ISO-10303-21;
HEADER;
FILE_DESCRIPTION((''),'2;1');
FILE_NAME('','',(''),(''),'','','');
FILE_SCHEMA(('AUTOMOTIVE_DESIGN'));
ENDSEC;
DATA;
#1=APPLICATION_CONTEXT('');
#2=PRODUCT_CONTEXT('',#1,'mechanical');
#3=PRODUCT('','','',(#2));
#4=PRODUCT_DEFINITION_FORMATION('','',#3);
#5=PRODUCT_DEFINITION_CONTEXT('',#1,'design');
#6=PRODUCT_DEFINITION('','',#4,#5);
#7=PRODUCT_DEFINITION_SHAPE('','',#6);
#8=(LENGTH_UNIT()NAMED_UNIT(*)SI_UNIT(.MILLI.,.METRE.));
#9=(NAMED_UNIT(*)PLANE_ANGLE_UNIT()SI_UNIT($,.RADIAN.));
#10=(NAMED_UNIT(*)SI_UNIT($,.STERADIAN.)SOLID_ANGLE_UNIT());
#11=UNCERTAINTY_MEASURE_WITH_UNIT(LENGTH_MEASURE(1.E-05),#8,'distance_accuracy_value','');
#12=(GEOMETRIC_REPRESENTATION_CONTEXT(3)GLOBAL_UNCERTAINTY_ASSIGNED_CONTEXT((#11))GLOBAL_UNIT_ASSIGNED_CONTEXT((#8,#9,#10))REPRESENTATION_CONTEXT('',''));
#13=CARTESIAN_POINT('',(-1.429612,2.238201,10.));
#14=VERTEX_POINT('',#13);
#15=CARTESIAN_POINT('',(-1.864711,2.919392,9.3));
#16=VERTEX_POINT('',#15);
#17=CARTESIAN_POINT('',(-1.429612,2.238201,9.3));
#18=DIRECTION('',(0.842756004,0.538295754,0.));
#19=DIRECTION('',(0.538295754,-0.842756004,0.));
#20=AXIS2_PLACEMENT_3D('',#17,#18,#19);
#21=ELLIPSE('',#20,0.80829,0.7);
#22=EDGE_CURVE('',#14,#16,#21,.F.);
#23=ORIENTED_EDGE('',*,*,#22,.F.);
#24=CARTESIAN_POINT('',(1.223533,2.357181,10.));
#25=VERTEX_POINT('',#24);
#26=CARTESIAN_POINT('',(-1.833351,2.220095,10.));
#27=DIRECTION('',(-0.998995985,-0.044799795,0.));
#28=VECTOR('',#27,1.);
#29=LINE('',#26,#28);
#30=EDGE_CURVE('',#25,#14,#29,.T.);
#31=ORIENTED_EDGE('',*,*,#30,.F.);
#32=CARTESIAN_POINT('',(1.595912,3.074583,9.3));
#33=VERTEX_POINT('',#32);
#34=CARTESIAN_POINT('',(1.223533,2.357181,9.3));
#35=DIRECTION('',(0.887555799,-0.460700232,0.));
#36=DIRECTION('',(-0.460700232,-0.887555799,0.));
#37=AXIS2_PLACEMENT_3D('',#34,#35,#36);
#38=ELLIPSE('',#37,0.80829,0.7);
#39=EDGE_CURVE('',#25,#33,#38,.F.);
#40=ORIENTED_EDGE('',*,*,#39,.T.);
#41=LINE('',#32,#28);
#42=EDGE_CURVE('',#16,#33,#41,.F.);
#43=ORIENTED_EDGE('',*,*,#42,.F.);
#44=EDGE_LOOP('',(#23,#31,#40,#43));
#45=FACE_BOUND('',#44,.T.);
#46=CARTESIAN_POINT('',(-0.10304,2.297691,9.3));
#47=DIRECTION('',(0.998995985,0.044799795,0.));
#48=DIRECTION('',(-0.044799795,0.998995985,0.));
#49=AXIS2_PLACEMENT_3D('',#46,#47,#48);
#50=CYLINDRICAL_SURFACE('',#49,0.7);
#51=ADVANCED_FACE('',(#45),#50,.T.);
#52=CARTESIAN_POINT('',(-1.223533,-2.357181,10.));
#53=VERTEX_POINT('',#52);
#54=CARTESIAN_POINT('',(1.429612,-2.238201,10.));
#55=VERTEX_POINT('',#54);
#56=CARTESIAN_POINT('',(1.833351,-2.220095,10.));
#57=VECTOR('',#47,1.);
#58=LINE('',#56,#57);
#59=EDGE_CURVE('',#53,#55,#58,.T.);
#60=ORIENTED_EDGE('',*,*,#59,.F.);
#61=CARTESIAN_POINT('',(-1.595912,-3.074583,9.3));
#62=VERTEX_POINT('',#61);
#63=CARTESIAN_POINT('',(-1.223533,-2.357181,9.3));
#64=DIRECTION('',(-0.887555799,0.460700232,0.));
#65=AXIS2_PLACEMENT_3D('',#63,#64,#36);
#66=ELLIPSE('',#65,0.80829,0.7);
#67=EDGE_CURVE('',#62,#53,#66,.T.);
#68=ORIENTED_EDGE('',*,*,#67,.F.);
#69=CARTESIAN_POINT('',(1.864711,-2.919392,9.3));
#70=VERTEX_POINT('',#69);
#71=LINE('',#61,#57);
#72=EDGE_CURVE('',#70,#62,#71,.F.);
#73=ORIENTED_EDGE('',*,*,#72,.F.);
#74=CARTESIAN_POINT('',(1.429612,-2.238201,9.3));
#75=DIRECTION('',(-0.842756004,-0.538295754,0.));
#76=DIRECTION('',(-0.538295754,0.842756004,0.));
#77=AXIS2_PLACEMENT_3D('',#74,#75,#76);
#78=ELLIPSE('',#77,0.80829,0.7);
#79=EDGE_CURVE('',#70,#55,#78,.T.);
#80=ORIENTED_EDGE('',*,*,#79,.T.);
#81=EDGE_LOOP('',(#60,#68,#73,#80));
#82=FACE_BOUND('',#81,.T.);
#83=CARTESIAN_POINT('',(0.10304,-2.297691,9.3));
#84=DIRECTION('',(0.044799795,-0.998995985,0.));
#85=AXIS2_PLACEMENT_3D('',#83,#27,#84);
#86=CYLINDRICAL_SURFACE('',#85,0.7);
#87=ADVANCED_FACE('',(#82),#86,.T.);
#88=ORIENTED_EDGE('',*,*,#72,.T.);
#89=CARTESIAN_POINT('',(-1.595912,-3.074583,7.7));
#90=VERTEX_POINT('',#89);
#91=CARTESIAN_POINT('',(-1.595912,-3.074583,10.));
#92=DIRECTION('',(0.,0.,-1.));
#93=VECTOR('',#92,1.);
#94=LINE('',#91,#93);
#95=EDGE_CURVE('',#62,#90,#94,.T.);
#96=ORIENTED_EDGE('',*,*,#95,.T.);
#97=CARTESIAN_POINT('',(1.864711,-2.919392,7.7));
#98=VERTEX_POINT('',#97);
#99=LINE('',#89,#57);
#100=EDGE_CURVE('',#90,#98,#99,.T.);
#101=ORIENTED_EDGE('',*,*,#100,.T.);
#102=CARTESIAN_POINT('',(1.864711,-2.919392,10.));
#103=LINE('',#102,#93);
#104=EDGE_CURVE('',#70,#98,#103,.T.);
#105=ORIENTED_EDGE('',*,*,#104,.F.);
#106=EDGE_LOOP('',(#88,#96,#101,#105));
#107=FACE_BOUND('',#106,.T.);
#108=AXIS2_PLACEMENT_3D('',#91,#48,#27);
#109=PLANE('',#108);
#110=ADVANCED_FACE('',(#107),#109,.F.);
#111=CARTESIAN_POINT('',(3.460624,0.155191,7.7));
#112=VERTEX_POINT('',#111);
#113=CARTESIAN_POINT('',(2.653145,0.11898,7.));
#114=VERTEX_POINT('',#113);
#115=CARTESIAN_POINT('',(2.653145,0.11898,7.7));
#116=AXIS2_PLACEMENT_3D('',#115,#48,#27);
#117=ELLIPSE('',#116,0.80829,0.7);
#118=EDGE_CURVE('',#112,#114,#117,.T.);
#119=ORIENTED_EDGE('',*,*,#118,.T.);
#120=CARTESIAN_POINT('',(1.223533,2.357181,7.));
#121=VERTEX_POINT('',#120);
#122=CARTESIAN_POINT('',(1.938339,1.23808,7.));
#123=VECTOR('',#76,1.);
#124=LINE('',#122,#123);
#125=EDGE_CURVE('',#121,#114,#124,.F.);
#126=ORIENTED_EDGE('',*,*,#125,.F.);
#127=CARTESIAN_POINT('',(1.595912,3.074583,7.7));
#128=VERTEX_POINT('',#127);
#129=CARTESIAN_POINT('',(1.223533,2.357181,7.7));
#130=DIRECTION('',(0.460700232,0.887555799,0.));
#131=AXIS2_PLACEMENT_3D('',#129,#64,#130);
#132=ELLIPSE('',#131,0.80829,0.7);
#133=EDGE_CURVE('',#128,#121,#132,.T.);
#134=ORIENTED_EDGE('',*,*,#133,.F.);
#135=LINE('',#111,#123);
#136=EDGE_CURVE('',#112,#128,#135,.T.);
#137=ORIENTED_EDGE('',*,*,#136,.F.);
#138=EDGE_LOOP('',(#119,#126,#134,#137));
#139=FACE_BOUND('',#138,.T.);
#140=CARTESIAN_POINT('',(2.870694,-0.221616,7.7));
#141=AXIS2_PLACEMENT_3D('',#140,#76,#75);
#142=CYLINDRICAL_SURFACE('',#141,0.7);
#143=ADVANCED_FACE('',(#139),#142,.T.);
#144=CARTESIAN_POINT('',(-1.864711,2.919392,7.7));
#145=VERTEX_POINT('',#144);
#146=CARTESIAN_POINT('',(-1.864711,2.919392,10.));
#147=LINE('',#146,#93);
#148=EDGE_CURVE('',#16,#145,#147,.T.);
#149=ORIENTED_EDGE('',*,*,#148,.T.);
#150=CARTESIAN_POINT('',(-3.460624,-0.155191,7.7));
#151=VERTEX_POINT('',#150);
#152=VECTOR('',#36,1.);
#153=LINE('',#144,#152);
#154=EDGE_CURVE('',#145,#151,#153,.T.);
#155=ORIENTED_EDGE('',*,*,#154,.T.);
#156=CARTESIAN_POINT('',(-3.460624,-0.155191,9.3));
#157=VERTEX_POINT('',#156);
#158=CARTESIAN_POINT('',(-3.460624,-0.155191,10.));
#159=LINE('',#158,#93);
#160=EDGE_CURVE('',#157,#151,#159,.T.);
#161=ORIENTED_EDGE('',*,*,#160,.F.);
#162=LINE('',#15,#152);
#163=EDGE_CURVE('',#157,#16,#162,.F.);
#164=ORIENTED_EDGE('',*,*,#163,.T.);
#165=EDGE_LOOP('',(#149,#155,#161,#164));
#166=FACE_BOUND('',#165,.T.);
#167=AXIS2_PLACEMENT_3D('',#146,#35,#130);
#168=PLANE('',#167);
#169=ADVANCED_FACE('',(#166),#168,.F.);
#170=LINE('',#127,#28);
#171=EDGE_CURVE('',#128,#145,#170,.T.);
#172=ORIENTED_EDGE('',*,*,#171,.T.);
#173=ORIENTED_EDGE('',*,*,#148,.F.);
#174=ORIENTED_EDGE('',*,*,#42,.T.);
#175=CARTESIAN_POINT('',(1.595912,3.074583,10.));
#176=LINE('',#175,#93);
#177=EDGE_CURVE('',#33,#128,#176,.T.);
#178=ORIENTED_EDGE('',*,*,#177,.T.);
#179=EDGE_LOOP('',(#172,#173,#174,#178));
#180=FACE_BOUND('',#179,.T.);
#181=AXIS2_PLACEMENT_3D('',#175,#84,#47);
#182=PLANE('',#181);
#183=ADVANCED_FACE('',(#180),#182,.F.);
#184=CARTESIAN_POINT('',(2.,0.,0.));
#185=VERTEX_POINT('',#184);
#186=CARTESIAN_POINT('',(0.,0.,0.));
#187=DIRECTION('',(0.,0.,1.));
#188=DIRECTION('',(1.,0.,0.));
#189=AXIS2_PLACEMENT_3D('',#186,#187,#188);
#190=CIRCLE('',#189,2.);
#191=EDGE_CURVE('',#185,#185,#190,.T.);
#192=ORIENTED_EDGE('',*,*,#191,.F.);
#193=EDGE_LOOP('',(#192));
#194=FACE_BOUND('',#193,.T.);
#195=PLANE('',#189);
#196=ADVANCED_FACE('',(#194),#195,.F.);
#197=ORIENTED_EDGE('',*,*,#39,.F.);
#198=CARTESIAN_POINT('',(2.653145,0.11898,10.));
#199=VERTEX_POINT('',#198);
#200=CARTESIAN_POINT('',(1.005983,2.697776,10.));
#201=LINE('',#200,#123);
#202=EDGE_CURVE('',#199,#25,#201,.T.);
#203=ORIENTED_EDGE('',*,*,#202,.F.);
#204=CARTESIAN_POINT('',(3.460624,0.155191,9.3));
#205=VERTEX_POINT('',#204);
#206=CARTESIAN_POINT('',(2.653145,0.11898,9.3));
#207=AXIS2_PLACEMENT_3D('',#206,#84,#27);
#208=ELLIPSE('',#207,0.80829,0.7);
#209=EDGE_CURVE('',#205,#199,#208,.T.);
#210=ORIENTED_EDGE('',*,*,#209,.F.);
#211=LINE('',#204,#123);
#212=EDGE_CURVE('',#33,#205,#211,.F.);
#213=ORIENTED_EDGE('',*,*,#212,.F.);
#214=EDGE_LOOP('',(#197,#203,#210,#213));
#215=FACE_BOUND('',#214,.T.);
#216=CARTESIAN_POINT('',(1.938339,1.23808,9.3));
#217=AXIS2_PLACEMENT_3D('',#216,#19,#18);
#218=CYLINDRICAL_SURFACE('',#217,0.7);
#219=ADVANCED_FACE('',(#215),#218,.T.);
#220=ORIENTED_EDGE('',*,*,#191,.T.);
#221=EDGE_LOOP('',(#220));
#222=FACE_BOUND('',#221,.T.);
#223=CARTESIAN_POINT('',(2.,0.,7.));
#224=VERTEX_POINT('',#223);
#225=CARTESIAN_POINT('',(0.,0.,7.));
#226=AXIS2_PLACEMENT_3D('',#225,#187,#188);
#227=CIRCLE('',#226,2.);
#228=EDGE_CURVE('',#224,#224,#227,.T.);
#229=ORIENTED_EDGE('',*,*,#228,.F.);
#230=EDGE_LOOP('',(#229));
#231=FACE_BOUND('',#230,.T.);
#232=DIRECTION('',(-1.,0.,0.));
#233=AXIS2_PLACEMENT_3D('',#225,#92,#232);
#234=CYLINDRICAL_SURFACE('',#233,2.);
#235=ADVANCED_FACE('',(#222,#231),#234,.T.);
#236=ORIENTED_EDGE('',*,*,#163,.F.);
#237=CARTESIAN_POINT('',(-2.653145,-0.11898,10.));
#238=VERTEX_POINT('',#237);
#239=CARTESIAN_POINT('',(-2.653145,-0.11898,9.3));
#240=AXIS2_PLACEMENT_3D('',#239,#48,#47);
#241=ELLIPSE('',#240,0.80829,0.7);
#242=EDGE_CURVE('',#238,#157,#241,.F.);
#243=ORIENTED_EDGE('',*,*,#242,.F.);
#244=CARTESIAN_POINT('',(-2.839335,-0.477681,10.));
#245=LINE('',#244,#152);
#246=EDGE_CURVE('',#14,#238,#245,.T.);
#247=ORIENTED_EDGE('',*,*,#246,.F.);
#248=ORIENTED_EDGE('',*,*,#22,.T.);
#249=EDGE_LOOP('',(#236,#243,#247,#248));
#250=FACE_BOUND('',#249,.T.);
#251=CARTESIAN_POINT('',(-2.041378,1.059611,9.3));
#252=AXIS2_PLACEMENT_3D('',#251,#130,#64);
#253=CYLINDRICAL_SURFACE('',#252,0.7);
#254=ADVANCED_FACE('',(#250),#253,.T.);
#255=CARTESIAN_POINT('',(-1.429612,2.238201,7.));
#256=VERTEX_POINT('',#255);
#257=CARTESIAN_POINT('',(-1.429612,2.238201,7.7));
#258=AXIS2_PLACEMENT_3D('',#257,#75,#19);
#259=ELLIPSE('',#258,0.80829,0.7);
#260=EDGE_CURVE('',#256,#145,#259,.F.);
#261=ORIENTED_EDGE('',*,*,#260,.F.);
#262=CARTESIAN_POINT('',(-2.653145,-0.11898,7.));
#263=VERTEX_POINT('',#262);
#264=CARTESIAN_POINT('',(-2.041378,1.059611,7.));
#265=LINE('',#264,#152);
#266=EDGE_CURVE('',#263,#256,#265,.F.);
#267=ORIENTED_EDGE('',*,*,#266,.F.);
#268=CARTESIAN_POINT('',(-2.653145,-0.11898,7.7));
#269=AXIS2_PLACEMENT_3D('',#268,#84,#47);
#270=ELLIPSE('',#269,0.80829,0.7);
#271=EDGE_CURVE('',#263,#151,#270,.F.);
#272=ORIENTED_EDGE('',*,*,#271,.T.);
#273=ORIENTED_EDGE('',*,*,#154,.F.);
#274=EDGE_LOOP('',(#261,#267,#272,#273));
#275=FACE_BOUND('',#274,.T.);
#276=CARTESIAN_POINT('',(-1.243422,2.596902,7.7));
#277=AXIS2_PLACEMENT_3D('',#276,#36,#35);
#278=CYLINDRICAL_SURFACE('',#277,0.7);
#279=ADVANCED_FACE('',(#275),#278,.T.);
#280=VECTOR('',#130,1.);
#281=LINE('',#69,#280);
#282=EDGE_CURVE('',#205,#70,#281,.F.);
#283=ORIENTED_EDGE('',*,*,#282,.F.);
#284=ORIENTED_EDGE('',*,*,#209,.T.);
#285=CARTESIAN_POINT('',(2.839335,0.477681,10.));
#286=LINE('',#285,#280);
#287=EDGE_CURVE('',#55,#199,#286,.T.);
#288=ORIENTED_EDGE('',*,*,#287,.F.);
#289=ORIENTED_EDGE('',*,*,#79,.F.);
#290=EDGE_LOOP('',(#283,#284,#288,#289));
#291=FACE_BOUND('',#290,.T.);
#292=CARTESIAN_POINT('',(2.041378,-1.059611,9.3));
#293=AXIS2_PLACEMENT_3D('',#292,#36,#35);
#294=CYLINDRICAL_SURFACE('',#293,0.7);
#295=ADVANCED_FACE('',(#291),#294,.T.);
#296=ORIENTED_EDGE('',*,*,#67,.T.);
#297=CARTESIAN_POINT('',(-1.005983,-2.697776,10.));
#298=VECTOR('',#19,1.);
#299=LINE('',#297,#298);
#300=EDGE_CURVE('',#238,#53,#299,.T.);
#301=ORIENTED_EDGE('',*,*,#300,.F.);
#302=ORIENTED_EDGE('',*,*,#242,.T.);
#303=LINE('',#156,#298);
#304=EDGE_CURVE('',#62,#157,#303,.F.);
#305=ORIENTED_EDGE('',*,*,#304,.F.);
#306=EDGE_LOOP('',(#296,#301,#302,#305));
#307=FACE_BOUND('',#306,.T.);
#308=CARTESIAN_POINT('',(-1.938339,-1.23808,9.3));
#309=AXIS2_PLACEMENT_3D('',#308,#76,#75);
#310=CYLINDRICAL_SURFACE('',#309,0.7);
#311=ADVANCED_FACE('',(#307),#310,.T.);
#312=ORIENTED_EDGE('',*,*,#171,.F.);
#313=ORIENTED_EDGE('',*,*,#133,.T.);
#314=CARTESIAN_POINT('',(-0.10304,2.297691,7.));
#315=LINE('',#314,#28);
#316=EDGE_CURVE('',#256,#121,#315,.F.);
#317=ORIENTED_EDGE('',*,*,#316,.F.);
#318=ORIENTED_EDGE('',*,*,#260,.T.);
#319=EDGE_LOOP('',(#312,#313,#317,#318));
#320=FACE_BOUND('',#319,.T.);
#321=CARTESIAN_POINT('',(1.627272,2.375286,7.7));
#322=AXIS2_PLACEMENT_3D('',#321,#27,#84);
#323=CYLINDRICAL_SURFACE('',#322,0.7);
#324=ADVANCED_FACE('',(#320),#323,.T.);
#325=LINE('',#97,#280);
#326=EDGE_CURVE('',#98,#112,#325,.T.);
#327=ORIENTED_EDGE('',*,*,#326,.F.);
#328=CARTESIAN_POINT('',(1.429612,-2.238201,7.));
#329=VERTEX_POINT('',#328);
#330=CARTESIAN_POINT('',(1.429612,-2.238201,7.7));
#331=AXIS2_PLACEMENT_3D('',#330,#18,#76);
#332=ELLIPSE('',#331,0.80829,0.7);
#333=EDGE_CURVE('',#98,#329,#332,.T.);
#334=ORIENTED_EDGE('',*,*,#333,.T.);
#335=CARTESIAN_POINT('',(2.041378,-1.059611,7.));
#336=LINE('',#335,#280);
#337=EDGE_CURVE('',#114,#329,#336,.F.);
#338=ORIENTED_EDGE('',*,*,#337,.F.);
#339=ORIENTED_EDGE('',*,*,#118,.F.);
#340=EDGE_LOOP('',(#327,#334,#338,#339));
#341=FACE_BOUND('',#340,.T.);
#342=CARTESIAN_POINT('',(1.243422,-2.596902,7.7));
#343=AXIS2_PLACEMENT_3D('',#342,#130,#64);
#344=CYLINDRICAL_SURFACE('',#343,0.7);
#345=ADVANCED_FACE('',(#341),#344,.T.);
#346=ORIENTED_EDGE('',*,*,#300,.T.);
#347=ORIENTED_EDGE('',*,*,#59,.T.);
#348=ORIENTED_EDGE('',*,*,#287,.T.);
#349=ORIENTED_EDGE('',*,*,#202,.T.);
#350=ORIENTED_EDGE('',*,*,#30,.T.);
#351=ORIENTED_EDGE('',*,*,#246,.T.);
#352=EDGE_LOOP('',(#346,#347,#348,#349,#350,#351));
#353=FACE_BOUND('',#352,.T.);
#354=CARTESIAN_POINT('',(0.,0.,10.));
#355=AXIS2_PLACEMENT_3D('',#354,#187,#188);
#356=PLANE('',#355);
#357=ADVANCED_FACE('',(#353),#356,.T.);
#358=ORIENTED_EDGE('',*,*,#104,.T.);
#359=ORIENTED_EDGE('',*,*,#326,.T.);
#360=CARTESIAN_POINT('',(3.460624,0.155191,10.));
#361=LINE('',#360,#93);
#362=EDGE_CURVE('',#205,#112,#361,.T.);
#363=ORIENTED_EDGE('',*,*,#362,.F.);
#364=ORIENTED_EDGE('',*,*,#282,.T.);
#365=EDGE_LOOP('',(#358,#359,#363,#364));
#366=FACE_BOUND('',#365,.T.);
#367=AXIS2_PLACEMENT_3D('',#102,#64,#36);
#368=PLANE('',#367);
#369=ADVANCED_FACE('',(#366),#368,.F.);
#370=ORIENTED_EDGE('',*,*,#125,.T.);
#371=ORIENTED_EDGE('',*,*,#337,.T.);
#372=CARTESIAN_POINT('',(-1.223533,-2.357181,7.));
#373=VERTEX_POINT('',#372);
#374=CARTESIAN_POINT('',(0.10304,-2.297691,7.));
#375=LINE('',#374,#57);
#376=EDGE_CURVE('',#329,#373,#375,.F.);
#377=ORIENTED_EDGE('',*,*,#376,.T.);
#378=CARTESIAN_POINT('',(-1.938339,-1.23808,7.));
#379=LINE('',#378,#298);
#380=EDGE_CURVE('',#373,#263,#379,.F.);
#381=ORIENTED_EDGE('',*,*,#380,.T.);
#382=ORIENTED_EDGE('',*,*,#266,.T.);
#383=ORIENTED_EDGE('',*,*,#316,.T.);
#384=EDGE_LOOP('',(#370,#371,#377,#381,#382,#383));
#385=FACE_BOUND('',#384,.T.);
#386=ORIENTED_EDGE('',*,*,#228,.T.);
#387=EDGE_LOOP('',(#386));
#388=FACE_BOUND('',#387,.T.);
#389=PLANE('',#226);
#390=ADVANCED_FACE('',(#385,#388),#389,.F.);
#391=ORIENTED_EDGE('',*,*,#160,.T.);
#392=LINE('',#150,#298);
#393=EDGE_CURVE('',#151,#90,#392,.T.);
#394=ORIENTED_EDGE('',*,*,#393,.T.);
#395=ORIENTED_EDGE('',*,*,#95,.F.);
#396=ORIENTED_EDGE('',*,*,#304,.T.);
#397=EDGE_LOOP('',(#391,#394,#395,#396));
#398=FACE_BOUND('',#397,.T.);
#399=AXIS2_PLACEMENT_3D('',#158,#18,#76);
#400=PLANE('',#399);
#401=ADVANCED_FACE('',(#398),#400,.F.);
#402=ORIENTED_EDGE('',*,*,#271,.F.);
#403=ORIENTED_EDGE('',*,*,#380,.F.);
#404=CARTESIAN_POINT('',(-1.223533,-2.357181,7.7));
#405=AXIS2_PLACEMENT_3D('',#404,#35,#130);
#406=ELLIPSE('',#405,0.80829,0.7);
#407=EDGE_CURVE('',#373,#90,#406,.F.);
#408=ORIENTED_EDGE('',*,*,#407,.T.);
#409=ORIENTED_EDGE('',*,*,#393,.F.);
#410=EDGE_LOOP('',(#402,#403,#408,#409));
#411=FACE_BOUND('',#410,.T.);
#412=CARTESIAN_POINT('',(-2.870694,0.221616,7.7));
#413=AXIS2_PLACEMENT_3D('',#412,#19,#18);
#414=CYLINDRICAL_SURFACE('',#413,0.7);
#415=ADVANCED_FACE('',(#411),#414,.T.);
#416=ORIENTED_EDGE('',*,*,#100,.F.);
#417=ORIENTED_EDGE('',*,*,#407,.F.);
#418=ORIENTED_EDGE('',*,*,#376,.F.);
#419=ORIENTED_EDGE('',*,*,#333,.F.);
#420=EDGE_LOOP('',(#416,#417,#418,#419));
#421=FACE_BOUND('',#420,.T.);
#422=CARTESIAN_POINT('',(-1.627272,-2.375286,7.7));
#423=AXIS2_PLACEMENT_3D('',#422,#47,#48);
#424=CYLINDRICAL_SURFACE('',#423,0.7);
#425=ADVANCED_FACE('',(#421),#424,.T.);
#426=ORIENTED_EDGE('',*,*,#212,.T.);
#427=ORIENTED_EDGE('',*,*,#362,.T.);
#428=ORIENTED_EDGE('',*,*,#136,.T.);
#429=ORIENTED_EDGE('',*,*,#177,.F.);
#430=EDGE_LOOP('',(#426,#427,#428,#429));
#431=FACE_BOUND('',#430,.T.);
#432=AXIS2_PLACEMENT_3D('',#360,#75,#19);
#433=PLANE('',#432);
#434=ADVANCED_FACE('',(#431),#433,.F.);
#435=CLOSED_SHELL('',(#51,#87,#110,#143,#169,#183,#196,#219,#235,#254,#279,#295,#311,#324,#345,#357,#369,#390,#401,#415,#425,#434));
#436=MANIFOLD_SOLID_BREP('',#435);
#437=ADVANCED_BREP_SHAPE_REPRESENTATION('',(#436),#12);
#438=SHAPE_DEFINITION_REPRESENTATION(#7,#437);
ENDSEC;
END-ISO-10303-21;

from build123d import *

# Parameters (mm, degrees)
SKETCH1_R           = 2
BOSS_EXTRUDE1_DEPTH = 7
BOSS_EXTRUDE2_DEPTH = 3
FILLET1_R           = 0.7


with BuildPart() as part:
    # Sketch1 → Boss-Extrude1 (new body)
    with BuildSketch(Plane.XY):
        Circle(SKETCH1_R)
    extrude(amount=BOSS_EXTRUDE1_DEPTH)

    # Sketch2 → Boss-Extrude2 (add)
    with BuildSketch(Plane.XY.offset(7)):
        Polygon((-1.595912417, -3.074583477), (1.864711189, -2.919392434), (3.460623606, 0.155191044), (1.595912417, 3.074583477), (-1.864711189, 2.919392434), (-3.460623606, -0.155191044), align=None)
    extrude(amount=BOSS_EXTRUDE2_DEPTH)

    # Fillet1
    fillet1_edges = [part.edges().sort_by_distance(p)[0] for p in [
        (2.528268011, 1.614887261, 7),
        (-0.134399386, 2.996987955, 7),
        (-2.662667397, 1.382100695, 7),
        (-2.528268011, -1.614887261, 7),
        (0.134399386, -2.996987955, 7),
        (2.662667397, -1.382100695, 7),
        (2.528268011, 1.614887261, 10),
        (-0.134399386, 2.996987955, 10),
        (-2.662667397, 1.382100695, 10),
        (-2.528268011, -1.614887261, 10),
        (0.134399386, -2.996987955, 10),
        (2.662667397, -1.382100695, 10),
    ]]
    fillet(fillet1_edges, radius=FILLET1_R)


solid = part.part
